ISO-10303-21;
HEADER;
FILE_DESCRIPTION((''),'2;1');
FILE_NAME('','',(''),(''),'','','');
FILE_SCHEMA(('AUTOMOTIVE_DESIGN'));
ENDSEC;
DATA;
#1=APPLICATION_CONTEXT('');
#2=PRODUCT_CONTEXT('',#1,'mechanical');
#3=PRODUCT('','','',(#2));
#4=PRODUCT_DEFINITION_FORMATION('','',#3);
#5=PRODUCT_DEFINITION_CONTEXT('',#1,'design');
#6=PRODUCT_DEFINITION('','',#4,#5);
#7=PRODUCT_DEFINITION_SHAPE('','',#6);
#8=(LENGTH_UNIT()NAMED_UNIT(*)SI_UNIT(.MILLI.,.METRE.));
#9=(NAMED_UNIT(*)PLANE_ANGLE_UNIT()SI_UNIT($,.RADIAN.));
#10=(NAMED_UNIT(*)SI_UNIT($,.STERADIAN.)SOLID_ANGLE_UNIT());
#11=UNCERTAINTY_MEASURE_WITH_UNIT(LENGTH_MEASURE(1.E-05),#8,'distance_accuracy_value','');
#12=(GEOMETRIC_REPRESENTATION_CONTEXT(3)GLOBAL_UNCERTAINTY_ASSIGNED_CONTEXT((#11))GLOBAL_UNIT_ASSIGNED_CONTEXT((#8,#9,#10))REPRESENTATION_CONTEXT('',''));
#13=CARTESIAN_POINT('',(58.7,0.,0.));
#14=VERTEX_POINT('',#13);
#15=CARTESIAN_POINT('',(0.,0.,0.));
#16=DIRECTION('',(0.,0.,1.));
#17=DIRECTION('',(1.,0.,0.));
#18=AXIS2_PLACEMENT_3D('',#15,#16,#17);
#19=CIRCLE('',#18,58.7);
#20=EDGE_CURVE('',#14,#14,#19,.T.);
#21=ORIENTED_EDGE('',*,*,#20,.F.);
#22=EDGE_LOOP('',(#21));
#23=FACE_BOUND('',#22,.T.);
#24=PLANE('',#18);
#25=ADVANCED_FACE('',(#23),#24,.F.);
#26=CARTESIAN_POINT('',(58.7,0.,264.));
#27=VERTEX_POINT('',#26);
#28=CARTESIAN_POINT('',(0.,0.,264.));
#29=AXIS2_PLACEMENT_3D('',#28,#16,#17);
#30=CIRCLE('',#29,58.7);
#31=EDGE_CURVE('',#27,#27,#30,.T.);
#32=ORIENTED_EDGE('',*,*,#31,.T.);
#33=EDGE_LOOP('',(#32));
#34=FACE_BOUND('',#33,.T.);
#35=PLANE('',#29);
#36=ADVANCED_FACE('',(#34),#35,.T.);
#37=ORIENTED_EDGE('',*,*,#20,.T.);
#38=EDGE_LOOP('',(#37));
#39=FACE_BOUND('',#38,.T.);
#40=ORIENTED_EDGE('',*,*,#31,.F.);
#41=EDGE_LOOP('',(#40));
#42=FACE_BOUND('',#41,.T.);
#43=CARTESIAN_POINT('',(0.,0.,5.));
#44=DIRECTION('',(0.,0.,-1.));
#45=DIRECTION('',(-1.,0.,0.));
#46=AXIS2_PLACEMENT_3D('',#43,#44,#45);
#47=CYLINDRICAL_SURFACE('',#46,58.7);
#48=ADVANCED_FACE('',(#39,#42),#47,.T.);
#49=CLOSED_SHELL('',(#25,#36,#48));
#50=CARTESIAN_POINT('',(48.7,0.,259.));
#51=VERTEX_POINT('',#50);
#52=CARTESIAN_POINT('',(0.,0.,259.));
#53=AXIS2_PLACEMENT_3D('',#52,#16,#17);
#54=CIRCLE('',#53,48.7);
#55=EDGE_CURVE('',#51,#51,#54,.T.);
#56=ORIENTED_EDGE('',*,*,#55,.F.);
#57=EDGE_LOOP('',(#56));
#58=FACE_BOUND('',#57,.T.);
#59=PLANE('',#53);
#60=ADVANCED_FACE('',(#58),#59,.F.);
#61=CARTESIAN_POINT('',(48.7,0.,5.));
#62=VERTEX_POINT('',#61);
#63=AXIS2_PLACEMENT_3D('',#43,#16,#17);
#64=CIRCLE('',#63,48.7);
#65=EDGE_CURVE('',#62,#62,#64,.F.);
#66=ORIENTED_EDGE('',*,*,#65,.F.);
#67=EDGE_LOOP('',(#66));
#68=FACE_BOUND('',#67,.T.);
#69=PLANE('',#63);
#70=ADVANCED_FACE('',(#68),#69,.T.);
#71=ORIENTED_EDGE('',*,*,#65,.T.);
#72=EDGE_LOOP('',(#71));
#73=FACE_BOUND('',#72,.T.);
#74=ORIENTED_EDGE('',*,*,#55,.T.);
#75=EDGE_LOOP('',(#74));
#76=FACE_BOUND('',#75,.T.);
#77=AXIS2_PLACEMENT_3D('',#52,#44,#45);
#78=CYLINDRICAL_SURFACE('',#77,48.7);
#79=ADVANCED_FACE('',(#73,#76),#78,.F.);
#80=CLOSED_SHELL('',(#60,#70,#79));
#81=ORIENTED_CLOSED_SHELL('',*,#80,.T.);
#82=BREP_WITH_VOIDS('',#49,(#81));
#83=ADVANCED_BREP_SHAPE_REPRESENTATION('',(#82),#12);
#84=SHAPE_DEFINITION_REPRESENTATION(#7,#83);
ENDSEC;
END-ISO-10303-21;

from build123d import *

# Parameters (mm, degrees)
SCHIZZO1_R                   = 58.7
ESTRUSIONE_ESTRUSIONE1_DEPTH = 5
SCHIZZO2_R                   = 58.7
SCHIZZO2_R_2                 = 48.7
ESTRUSIONE_ESTRUSIONE2_DEPTH = 254
SCHIZZO3_R                   = 58.7
ESTRUSIONE_ESTRUSIONE3_DEPTH = 5


with BuildPart() as part:
    # Schizzo1 → Estrusione-Estrusione1 (new body)
    with BuildSketch(Plane.XY):
        Circle(SCHIZZO1_R)
    extrude(amount=ESTRUSIONE_ESTRUSIONE1_DEPTH)

    # Schizzo2 → Estrusione-Estrusione2 (add)
    with BuildSketch(Plane.XY.offset(5)):
        Circle(SCHIZZO2_R)
        Circle(SCHIZZO2_R_2, mode=Mode.SUBTRACT)
    extrude(amount=ESTRUSIONE_ESTRUSIONE2_DEPTH)

    # Schizzo3 → Estrusione-Estrusione3 (add)
    with BuildSketch(Plane.XY.offset(259)):
        Circle(SCHIZZO3_R)
    extrude(amount=ESTRUSIONE_ESTRUSIONE3_DEPTH)


solid = part.part
